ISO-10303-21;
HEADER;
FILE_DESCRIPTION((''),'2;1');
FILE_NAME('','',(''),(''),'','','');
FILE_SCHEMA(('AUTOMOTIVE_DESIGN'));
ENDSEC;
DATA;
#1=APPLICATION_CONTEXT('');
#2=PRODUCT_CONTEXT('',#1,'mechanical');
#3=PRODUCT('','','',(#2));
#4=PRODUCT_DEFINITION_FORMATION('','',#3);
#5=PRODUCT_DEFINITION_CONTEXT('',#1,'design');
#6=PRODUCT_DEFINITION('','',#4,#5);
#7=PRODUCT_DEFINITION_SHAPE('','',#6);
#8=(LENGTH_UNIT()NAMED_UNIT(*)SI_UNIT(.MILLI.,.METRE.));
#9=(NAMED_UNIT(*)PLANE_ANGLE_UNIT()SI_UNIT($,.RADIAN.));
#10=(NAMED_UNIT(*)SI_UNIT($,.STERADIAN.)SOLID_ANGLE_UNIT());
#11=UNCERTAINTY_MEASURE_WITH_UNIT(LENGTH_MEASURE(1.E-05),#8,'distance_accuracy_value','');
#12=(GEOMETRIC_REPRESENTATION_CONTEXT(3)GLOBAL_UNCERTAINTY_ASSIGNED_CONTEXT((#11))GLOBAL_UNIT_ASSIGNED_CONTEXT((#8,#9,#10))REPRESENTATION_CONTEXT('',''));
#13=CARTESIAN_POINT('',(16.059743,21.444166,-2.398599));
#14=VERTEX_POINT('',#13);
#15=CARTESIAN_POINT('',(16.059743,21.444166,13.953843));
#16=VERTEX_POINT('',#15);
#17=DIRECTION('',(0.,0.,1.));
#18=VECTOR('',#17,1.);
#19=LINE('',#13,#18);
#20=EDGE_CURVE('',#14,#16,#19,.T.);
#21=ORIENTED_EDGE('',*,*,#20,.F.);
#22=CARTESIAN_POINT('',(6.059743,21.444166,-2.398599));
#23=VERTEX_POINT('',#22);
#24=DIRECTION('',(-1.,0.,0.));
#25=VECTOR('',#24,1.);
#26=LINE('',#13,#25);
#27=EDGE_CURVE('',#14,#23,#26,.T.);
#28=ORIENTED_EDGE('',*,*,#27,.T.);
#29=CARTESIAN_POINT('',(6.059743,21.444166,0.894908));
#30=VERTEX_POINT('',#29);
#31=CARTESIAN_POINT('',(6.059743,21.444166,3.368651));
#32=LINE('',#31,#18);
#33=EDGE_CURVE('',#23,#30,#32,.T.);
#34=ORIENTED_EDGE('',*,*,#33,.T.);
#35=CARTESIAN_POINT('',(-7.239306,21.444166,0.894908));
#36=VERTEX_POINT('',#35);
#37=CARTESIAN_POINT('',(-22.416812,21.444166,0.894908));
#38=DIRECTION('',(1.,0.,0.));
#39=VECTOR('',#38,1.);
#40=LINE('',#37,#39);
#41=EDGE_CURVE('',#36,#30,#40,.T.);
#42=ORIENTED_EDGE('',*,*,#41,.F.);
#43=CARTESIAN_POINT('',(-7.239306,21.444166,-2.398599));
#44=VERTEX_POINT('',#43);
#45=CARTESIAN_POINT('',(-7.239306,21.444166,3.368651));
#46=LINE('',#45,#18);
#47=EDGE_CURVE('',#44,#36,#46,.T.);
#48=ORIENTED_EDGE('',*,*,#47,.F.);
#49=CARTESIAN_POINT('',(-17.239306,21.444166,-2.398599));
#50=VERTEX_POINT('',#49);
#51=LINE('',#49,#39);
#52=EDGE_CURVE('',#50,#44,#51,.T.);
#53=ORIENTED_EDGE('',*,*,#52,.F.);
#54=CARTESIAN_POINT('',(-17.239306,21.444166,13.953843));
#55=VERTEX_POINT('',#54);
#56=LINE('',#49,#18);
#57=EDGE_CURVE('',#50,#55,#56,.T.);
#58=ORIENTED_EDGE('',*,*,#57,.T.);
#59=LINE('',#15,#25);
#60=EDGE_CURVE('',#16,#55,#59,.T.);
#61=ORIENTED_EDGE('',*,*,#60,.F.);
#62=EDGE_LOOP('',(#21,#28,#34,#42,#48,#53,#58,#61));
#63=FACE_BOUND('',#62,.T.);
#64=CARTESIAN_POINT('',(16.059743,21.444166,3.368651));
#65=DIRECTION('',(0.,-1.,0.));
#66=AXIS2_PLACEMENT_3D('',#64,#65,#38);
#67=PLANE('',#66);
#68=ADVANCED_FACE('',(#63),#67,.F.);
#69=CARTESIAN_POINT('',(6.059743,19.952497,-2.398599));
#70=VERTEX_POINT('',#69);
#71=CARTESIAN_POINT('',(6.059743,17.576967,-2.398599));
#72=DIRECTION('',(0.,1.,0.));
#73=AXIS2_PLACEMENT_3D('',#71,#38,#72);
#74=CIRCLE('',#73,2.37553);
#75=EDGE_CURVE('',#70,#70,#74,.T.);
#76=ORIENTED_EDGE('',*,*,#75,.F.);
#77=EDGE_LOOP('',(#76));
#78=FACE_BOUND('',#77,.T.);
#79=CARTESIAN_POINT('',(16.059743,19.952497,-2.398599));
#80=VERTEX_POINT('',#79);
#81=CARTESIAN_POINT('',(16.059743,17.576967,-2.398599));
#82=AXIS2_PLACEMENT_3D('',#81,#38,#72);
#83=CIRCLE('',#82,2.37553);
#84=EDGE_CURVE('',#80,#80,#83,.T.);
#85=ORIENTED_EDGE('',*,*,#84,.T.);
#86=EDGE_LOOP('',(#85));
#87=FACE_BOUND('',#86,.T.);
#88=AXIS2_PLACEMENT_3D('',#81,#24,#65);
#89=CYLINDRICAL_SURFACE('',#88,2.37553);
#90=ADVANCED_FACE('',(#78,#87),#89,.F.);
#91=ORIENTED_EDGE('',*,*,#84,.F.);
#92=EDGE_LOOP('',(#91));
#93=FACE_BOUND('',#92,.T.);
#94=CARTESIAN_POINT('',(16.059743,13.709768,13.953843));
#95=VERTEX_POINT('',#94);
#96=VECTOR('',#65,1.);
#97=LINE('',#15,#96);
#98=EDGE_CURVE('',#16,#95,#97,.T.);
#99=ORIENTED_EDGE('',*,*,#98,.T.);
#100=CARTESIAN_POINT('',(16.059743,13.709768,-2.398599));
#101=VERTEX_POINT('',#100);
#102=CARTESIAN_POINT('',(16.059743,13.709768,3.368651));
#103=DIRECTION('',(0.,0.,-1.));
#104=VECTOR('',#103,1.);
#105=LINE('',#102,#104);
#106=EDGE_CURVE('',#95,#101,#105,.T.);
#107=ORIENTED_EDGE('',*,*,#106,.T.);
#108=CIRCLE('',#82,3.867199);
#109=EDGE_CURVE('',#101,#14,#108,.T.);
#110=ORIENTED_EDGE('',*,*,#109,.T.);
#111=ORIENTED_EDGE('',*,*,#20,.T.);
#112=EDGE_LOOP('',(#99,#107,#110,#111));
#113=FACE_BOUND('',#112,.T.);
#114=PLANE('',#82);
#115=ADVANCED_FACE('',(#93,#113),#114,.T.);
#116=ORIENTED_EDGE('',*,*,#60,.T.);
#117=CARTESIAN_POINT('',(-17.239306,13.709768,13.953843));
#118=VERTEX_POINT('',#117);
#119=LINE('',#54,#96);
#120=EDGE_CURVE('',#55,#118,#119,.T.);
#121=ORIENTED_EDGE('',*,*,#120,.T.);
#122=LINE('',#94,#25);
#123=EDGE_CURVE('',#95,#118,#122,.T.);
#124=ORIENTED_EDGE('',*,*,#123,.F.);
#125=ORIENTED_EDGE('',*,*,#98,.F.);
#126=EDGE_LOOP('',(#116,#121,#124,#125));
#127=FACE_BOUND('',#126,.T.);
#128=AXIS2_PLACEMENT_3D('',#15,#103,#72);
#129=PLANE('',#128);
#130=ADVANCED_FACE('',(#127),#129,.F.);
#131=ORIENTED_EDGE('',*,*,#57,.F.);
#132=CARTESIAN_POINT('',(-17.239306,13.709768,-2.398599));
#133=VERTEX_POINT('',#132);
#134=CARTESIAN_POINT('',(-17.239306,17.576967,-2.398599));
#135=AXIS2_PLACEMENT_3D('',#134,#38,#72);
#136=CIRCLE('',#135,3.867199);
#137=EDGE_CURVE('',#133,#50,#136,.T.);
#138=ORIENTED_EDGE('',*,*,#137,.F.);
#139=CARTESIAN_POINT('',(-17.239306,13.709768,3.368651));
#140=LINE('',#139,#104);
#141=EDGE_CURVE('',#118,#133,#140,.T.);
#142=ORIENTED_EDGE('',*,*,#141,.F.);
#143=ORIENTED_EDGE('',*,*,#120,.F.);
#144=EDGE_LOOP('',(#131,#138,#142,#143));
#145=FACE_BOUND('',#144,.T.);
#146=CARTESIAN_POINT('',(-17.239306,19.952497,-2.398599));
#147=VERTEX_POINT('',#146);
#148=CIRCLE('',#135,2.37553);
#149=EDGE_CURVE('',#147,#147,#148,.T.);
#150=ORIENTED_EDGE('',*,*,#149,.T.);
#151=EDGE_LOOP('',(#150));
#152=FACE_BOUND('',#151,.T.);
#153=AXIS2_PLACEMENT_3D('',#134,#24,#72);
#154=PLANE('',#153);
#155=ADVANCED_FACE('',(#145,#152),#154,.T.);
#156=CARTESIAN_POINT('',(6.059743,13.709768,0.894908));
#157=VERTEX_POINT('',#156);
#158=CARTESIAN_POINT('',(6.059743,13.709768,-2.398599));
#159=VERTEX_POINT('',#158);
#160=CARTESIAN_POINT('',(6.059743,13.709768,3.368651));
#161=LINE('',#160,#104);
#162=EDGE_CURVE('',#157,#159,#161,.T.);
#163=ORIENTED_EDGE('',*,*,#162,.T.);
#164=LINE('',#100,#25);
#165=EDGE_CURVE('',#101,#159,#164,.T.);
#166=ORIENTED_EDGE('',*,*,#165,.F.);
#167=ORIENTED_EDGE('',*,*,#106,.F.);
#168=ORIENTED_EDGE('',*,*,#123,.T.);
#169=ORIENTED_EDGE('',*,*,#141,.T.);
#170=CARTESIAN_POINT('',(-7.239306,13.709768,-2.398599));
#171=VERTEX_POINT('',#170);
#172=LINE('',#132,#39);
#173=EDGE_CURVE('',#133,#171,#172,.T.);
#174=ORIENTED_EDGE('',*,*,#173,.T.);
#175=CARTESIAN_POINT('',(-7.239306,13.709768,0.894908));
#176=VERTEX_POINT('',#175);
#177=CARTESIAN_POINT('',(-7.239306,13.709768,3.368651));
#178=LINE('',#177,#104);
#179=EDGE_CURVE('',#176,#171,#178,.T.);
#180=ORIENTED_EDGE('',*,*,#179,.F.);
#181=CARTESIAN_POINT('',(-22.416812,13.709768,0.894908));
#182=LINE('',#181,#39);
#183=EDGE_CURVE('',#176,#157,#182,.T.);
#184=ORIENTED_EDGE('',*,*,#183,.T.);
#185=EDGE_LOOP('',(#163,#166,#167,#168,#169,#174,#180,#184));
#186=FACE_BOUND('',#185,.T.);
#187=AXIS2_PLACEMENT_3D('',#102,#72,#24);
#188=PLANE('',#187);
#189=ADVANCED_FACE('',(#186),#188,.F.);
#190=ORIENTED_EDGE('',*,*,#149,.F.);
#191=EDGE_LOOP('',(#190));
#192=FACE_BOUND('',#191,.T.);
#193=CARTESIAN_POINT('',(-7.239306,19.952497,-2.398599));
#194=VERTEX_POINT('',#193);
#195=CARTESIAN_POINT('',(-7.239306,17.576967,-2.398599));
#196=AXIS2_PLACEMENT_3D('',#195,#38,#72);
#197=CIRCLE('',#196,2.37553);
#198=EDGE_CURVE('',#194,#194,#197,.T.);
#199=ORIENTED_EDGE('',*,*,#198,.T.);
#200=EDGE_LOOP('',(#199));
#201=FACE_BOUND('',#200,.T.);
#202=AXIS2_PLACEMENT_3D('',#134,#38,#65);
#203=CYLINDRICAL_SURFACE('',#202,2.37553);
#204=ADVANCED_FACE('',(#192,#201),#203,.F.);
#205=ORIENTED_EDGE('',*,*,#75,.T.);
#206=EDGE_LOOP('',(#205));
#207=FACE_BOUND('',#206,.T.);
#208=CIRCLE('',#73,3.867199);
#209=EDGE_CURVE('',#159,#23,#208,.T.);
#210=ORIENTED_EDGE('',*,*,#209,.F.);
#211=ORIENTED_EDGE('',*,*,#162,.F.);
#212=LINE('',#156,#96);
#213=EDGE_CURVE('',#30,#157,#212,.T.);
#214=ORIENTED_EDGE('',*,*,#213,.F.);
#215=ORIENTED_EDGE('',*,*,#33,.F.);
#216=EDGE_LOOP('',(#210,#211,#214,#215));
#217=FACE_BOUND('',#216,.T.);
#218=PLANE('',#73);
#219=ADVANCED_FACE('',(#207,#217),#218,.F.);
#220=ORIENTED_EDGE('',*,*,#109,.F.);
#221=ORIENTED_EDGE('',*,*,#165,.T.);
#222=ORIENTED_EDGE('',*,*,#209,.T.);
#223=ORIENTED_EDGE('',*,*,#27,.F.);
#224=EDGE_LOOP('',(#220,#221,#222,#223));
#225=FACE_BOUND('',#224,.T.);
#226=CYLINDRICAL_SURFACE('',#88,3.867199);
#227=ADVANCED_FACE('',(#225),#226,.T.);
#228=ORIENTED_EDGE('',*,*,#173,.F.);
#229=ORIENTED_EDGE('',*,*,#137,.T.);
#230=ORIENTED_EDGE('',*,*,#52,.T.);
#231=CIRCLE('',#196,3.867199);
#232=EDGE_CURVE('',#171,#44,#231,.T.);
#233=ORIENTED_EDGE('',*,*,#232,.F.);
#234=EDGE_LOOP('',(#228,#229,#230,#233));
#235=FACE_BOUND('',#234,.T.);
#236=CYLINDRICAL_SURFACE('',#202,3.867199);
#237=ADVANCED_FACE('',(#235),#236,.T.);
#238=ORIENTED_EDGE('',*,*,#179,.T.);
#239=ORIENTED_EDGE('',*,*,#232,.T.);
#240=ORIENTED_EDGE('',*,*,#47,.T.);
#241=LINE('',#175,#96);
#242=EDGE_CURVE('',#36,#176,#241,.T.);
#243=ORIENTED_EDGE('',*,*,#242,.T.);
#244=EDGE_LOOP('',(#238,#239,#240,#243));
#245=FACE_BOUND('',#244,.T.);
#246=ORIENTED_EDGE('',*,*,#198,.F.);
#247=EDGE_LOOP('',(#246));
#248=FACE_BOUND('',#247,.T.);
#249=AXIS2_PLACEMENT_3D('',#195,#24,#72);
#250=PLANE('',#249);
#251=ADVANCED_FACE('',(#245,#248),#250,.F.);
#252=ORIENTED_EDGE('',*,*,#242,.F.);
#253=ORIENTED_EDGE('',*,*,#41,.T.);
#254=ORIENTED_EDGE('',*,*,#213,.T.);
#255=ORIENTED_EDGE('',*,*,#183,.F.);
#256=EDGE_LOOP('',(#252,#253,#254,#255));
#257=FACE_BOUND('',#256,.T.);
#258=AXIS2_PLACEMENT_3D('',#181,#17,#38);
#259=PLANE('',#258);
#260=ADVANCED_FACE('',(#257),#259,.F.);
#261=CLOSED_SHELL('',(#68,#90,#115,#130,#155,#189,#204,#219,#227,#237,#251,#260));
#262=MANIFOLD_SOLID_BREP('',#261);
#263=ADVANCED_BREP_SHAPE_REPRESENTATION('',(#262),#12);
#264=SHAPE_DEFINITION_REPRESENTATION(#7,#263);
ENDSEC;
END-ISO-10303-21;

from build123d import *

# Parameters (mm, degrees)
SKETCH2_R           = 2.37553
BOSS_EXTRUDE1_DEPTH = 10
SKETCH3_W           = 13.058934706
SKETCH3_H           = 7.734398283
BOSS_EXTRUDE2_DEPTH = 13.2990488


with BuildPart() as part:
    # Sketch2 → Boss-Extrude1 (new body)
    with BuildSketch(Plane(origin=(6.059742926, 0, 0), x_dir=(0, 0, -1), z_dir=(1, 0, 0))):
        with BuildLine():
            Line((2.398599218, 21.444166214), (-3.368651258, 21.444166214))
            Line((-3.368651258, 21.444166214), (-13.95384316, 21.444166214))
            Line((-13.95384316, 21.444166214), (-13.95384316, 13.709767931))
            Line((-13.95384316, 13.709767931), (-3.368651258, 13.709767931))
            Line((-3.368651258, 13.709767931), (2.398599218, 13.709767931))
            ThreePointArc((2.398599218, 13.709767931), (6.26579836, 17.576967072), (2.398599218, 21.444166214))
        make_face()
        with Locations(Location((2.398599218, 17.576967072, 0), (0, 0, 90))):
            Circle(SKETCH2_R, mode=Mode.SUBTRACT)
    extrude(amount=BOSS_EXTRUDE1_DEPTH)


with BuildPart() as body_2:
    # Mirror2: mirrored copy
    add(part.part.mirror(Plane(origin=(-0.589781474, 0, 0), x_dir=(0, 0, 1), z_dir=(1, 0, 0))))


with BuildPart() as part_1:
    add(part.part)

    add(body_2.part)  # Boss-Extrude2 merges body 2
    # Sketch3 → Boss-Extrude2 (add)
    with BuildSketch(Plane.ZY.offset(-6.059742926)):
        with Locations((7.424375807, 17.576967073)):
            Rectangle(SKETCH3_W, SKETCH3_H)
    extrude(amount=BOSS_EXTRUDE2_DEPTH)


solid = part_1.part
